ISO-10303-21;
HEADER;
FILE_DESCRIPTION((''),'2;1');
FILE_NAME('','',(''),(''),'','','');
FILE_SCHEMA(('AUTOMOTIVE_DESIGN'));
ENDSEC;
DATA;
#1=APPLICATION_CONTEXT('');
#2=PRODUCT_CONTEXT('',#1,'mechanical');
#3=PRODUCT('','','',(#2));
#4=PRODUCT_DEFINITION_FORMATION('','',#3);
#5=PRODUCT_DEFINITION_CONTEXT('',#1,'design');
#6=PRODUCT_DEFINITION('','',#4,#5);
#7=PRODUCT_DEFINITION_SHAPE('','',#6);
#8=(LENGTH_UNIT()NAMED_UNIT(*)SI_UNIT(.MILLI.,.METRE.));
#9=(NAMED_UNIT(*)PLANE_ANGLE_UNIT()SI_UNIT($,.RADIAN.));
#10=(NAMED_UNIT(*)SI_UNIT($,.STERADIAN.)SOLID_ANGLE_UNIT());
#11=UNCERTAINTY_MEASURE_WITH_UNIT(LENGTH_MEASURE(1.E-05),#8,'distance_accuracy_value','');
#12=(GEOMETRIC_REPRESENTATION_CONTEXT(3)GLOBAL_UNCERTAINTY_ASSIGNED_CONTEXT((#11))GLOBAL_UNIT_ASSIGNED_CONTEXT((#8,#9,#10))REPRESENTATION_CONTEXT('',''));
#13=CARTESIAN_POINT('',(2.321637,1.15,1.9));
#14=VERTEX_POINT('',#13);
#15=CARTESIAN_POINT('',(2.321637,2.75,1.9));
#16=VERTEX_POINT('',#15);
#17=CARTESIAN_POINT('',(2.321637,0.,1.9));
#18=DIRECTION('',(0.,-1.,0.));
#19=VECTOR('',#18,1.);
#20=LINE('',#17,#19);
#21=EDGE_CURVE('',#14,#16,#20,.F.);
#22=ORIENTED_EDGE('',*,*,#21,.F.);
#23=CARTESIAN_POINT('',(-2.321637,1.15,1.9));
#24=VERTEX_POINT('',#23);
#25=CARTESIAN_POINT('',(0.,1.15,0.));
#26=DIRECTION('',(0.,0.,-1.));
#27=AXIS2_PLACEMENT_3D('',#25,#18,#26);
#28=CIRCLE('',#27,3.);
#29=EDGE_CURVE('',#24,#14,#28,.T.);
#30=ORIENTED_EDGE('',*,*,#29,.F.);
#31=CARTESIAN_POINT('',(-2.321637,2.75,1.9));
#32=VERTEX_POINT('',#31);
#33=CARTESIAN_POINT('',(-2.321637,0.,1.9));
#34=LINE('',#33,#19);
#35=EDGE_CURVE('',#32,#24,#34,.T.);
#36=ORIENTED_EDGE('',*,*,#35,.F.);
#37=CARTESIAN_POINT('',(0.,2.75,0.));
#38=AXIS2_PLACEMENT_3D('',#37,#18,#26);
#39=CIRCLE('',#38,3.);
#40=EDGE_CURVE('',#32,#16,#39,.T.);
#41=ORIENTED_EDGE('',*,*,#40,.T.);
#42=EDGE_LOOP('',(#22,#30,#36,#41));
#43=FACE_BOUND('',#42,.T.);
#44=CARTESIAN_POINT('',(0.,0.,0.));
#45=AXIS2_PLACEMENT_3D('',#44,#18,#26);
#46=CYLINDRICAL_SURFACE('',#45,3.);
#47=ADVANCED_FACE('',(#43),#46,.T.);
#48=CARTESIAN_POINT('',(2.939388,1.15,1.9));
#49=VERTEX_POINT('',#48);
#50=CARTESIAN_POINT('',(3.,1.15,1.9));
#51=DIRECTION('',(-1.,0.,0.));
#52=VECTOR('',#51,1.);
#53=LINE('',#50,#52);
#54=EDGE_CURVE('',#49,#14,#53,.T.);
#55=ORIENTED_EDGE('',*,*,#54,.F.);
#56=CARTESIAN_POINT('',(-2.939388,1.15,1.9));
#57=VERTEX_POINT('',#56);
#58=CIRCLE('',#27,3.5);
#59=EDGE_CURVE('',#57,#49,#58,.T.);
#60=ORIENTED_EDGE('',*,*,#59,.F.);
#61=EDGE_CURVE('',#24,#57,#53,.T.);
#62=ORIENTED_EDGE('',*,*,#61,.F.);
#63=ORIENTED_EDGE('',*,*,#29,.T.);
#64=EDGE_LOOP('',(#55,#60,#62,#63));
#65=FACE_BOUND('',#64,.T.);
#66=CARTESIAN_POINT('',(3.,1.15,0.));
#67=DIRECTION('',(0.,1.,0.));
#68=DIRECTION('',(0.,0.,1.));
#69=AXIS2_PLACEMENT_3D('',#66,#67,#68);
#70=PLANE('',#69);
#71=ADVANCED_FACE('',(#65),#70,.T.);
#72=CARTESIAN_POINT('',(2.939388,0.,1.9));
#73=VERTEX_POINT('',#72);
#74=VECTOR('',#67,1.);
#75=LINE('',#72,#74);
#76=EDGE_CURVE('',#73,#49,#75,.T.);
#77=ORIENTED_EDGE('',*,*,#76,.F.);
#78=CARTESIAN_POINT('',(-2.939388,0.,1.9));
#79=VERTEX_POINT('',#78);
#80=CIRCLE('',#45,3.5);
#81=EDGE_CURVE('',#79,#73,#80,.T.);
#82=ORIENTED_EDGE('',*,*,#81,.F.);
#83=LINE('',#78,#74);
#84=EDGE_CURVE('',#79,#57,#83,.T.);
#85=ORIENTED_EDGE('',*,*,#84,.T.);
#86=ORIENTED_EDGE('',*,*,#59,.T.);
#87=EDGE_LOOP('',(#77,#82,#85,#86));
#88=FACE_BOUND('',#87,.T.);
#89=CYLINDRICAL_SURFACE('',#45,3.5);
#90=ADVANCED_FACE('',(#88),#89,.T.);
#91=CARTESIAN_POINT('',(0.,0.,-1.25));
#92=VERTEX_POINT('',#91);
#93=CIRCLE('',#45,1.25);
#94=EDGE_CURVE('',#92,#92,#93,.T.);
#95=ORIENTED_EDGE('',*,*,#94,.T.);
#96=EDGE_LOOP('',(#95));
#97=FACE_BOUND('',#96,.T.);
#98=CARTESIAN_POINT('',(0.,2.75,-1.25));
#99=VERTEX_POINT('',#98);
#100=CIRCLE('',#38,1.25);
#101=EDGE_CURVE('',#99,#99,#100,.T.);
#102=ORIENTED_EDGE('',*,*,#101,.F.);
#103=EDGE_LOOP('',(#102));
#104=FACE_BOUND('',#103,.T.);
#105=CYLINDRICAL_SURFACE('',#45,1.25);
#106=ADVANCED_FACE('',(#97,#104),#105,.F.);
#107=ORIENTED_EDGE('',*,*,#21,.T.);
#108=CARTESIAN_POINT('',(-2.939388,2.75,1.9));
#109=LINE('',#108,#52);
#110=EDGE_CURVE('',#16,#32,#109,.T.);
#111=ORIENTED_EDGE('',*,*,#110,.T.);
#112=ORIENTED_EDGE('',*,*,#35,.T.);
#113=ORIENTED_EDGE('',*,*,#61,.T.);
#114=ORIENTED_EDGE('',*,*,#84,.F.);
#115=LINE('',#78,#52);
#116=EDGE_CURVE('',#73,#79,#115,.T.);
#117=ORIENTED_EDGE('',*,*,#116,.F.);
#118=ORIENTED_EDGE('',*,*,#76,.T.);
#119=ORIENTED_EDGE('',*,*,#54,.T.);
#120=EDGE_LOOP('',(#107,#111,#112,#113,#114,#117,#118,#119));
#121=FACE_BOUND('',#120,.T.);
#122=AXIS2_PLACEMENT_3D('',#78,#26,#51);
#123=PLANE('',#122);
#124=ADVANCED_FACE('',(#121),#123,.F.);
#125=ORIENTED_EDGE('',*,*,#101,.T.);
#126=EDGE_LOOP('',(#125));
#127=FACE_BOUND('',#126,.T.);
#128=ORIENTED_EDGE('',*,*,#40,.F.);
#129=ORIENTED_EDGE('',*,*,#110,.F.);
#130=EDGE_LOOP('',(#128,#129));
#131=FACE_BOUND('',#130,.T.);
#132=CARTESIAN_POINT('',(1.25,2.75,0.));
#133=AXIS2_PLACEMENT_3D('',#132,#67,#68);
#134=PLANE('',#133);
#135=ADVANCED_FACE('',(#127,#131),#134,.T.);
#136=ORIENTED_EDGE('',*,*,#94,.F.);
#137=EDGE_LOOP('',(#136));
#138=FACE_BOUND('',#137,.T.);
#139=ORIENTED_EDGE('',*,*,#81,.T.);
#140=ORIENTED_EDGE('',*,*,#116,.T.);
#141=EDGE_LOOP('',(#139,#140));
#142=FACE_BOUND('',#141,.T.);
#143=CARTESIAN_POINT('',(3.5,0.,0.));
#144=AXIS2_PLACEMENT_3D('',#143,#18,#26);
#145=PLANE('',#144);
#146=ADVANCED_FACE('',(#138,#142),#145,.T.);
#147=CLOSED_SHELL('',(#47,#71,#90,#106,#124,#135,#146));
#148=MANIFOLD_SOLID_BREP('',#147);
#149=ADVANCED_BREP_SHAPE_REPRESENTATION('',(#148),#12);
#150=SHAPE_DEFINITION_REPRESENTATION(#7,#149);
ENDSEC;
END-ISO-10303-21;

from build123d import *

# Parameters (mm, degrees)
CUT_EXTRUDE_1_DEPTH = 6.662375826


with BuildPart() as part:
    # ｽｹｯﾁ1 → 回転1 (revolve)
    with BuildSketch(Plane.XY, mode=Mode.PRIVATE) as revolve_1_sk:
        Polygon((1.25, 0), (1.25, 2.75), (3, 2.75), (3, 1.15), (3.5, 1.15), (3.5, 0), align=None)
    revolve(revolve_1_sk.sketch.rotate(Axis((0, 0, 0), (0, 1, 0)), 90), axis=Axis((0, 0, 0), (0, 1, 0)))

    # ｽｹｯﾁ2 → ｶｯﾄ - 押し出し1 (cut, through all)
    with BuildSketch(Plane(origin=(0, 2.75, 0), x_dir=(1, 0, 0), z_dir=(0, 1, 0))):
        with BuildLine():
            Line((-2.939387691, -1.9), (2.939387691, -1.9))
            ThreePointArc((2.939387691, -1.9), (0, -3.5), (-2.939387691, -1.9))
        make_face()
    extrude(amount=-CUT_EXTRUDE_1_DEPTH, mode=Mode.SUBTRACT)


solid = part.part
